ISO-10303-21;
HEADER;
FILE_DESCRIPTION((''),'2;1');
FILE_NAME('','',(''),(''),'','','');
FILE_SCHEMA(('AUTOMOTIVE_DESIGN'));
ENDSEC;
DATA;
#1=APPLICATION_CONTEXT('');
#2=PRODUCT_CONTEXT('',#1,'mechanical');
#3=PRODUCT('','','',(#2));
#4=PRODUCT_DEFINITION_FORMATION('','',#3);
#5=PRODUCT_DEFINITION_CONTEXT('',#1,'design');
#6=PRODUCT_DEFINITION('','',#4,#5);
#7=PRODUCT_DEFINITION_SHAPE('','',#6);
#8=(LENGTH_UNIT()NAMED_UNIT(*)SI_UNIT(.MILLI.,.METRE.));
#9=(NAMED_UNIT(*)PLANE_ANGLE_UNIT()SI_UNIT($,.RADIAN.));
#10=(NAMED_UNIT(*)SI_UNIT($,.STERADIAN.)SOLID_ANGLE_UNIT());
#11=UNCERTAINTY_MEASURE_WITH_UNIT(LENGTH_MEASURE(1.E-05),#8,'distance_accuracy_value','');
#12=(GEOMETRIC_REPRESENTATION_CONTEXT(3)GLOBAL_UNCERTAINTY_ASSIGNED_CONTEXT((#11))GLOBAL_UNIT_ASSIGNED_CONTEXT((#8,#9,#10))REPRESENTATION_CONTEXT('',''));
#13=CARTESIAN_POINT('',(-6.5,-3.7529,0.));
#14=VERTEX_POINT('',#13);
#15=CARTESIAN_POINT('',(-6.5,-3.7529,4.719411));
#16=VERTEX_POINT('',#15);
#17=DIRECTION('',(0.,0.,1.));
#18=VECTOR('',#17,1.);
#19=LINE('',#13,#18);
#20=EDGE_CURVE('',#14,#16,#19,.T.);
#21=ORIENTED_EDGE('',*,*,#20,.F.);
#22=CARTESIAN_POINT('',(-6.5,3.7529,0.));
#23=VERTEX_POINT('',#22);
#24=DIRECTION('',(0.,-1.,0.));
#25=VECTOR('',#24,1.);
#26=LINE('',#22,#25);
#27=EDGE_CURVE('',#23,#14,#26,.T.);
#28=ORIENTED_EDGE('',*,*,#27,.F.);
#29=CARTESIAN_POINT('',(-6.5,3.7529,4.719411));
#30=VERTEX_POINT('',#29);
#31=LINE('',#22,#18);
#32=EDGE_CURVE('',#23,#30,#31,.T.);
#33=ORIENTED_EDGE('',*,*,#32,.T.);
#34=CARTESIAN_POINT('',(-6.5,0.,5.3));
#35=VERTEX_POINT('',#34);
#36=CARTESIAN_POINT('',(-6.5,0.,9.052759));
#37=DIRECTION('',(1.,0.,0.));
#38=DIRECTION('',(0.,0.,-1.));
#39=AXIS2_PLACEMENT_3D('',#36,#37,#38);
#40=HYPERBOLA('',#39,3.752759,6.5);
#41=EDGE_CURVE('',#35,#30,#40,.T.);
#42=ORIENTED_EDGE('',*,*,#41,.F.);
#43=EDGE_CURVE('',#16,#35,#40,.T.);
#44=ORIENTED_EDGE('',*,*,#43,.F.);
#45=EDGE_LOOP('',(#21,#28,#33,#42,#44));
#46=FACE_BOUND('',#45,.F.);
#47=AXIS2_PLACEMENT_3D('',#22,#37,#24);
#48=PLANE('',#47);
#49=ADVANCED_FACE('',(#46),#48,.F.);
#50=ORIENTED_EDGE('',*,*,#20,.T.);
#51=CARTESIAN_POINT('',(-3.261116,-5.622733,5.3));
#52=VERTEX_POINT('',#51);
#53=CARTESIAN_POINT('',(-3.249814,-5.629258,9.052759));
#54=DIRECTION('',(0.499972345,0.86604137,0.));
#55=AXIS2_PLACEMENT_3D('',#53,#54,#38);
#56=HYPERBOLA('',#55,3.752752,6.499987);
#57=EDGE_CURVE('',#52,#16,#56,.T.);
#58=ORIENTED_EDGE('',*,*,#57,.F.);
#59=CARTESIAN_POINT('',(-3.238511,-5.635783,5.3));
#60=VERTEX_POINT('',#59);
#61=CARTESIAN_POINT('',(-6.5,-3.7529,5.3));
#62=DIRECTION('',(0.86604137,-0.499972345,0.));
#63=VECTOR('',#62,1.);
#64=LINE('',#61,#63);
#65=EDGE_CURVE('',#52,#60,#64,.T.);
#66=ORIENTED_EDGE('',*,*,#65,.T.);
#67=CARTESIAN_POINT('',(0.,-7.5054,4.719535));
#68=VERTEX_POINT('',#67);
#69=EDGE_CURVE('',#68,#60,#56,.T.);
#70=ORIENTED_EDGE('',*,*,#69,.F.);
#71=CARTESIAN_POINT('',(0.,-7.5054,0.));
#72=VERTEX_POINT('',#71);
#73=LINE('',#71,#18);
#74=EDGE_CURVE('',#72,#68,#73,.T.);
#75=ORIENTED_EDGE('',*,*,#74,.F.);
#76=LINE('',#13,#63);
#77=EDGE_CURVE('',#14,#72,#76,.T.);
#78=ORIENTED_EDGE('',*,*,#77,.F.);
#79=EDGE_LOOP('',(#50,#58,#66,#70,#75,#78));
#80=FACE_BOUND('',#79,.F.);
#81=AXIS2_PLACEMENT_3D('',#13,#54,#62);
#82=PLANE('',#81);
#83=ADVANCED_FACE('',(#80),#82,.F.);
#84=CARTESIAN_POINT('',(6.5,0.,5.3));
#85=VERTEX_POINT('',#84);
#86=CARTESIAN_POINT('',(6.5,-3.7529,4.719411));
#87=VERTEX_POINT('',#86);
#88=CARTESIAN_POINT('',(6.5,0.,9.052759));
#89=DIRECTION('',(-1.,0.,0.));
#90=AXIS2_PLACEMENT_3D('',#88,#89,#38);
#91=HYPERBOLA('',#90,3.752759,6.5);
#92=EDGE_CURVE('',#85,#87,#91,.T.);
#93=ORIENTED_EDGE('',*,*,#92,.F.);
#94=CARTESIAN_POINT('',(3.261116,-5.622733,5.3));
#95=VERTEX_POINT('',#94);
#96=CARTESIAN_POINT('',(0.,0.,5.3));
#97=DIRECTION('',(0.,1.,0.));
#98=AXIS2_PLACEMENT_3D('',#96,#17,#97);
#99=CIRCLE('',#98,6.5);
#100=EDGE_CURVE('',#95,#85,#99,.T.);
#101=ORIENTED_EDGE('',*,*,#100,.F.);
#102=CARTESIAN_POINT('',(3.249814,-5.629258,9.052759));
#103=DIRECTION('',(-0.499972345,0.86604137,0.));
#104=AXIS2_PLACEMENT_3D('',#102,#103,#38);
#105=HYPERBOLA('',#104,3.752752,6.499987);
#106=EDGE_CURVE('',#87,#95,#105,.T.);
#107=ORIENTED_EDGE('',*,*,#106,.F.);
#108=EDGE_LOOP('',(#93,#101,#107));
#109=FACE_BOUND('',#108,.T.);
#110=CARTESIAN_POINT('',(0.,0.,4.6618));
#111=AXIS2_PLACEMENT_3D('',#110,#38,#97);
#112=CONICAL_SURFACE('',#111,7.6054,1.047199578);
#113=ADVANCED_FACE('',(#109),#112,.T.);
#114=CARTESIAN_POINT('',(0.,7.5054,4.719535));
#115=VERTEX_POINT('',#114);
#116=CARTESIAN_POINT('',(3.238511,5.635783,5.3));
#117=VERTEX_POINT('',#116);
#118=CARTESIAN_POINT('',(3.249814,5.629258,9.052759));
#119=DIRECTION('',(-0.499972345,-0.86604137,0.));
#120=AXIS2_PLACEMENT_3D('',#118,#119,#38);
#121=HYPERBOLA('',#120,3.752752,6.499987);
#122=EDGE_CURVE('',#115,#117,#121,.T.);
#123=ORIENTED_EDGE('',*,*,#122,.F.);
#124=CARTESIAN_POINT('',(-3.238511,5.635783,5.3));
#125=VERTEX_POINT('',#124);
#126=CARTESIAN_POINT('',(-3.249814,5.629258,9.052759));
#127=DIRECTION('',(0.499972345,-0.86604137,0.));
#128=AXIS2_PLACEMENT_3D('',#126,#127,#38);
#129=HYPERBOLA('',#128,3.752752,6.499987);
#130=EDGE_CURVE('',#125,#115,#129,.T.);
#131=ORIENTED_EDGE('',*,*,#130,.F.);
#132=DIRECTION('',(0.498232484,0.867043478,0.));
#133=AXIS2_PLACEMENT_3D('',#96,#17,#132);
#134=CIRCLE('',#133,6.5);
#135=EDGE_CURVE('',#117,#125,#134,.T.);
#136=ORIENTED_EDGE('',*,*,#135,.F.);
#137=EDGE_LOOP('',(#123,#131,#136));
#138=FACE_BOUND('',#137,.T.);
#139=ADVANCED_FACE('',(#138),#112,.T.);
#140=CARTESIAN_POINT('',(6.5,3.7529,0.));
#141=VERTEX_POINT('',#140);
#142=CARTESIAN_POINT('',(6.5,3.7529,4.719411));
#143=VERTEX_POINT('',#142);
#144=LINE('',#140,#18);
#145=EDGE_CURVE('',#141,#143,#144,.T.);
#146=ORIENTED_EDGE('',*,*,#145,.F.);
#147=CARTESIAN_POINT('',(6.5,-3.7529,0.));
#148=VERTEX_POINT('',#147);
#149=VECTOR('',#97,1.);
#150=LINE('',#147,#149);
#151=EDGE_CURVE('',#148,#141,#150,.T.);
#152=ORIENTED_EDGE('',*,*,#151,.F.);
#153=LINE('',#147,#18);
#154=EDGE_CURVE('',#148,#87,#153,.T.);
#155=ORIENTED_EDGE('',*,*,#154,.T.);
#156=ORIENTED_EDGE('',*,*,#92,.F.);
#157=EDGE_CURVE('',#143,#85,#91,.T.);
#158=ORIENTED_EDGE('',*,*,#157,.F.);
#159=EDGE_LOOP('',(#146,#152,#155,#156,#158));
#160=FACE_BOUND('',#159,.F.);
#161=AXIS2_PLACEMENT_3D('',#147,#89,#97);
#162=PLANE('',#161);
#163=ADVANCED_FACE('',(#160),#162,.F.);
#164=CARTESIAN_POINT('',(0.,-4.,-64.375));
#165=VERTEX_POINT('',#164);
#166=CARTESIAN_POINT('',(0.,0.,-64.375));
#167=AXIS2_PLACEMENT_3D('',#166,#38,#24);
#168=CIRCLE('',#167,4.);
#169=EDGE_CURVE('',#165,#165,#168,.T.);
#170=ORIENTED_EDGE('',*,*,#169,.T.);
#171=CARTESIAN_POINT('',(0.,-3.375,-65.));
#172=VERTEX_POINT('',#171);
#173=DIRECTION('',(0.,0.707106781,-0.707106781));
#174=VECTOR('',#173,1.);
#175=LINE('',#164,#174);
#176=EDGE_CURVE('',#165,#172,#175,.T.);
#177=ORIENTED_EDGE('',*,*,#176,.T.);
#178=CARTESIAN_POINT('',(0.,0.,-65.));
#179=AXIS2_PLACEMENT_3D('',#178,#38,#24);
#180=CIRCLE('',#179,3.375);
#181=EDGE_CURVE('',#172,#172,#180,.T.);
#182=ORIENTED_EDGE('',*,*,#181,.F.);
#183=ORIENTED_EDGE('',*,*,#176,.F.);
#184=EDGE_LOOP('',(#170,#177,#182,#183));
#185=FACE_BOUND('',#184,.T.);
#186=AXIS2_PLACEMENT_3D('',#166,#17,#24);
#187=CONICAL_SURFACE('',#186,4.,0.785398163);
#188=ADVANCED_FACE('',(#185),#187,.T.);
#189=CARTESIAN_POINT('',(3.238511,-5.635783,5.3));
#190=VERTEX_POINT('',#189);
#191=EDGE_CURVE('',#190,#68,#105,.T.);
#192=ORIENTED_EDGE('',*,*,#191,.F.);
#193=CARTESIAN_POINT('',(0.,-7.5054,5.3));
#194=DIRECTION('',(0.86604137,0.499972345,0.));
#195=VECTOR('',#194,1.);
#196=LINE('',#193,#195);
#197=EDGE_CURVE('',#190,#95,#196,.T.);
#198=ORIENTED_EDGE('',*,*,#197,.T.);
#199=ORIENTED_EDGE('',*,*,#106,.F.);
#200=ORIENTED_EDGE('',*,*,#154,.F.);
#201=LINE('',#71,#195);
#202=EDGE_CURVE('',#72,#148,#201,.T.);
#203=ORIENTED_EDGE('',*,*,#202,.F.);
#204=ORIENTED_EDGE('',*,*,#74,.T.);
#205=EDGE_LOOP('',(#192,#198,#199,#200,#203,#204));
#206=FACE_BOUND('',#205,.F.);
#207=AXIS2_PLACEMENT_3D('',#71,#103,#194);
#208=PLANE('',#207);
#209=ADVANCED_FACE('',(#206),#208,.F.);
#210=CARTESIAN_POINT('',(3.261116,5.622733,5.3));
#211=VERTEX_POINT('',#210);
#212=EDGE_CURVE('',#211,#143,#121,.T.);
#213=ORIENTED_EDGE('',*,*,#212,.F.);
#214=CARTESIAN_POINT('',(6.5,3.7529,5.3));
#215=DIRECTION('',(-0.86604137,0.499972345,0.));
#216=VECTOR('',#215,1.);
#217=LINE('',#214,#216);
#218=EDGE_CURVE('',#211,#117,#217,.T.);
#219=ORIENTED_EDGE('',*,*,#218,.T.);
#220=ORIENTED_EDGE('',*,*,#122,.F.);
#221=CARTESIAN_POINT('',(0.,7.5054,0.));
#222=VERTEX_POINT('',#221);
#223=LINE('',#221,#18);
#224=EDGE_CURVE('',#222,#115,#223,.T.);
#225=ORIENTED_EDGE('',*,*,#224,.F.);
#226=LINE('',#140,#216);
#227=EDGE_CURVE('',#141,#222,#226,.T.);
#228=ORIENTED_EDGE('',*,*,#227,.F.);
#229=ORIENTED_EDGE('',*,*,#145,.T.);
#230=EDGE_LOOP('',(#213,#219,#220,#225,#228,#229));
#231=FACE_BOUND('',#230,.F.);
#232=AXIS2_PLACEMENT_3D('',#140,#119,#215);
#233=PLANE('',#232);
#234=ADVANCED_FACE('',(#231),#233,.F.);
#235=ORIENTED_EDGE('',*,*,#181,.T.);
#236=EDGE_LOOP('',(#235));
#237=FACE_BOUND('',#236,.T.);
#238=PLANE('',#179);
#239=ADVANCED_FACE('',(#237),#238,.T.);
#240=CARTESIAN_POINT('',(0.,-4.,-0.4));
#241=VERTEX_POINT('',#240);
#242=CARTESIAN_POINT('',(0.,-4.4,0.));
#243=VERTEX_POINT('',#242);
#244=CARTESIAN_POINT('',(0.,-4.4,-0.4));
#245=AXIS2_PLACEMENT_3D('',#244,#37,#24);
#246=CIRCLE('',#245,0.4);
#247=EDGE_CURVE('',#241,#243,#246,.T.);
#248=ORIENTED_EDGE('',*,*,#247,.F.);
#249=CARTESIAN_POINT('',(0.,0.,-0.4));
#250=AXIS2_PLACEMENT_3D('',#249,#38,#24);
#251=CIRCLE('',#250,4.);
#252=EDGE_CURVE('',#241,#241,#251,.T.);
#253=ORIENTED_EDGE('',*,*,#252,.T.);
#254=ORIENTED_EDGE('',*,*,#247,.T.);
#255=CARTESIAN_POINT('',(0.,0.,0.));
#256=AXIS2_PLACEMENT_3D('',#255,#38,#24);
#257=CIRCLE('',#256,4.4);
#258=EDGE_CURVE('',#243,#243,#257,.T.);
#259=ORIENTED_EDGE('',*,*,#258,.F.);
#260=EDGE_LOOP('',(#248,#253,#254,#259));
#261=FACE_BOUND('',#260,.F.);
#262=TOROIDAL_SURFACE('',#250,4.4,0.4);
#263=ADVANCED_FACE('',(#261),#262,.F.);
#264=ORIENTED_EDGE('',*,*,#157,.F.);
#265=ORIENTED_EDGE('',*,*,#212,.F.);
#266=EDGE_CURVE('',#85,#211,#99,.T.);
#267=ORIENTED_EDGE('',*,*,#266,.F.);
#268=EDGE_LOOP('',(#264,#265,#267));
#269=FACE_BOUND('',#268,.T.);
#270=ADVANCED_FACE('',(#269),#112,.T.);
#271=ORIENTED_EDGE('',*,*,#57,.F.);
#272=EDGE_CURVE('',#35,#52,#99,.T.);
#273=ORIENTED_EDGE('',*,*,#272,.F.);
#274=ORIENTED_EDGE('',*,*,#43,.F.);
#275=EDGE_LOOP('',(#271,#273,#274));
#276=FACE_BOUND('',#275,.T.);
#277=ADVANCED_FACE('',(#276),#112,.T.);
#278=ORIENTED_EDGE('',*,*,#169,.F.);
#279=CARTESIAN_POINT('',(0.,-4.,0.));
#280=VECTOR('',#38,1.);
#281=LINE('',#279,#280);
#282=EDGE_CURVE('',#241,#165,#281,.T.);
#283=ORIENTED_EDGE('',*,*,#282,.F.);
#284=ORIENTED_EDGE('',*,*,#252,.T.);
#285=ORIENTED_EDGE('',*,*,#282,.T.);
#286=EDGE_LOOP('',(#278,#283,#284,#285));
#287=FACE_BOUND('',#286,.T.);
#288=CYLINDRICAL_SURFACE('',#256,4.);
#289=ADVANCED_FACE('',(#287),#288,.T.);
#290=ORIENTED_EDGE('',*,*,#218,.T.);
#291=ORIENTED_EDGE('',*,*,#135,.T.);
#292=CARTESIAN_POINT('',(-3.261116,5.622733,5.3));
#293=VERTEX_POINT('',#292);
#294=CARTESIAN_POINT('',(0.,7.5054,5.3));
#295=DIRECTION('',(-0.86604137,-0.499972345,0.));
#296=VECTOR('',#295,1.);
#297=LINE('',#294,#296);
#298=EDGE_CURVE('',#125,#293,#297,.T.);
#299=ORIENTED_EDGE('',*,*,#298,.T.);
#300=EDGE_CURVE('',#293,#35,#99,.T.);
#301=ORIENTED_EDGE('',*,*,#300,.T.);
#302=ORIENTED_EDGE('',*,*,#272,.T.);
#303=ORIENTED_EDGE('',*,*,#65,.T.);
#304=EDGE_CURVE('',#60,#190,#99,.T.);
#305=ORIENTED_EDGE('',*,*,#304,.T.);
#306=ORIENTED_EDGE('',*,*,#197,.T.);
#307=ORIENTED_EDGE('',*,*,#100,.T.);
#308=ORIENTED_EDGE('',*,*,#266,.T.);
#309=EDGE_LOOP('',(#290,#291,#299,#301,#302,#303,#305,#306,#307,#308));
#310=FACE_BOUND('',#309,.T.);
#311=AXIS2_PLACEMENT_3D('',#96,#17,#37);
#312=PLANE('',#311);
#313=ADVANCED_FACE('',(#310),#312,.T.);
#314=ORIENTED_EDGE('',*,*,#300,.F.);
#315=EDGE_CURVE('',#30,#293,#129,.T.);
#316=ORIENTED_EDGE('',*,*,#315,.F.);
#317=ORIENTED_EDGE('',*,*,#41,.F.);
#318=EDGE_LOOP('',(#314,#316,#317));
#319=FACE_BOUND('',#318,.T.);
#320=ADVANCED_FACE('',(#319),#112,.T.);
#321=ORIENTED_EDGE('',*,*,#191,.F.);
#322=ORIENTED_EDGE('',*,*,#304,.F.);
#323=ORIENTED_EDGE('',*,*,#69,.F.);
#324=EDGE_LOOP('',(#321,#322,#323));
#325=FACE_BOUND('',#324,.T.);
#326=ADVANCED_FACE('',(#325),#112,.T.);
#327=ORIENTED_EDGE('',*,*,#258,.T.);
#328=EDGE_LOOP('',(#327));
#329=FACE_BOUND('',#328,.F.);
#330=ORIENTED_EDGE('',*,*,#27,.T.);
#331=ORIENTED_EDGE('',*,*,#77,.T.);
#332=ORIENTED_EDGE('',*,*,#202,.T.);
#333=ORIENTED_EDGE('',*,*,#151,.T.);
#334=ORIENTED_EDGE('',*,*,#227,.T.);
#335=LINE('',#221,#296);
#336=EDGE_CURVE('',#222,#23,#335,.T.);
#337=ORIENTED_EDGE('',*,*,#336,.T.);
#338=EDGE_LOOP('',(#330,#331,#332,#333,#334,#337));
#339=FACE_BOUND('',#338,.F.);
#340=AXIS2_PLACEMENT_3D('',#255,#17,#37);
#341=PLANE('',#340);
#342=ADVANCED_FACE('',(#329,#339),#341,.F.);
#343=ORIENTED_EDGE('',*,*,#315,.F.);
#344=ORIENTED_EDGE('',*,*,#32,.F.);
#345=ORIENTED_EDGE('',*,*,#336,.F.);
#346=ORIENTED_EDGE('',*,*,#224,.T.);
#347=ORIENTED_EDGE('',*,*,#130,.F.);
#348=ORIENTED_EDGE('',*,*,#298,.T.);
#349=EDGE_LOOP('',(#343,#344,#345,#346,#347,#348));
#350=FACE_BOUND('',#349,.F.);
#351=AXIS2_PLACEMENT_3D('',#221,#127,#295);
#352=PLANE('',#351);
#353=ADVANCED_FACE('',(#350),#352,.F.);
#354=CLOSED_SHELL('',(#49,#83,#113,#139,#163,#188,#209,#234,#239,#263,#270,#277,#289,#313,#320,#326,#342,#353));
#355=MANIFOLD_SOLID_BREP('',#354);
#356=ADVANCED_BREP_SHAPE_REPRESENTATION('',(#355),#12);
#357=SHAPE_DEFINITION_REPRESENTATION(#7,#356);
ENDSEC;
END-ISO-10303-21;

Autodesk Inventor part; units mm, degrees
ref_plane "WorkPlane1" through (0, 0, 0) normal (0, 0, 1) x (1, 0, 0)
sketch "Szkic1" plane through (0, 0, 0) normal (0, 0, 1) x (1, 0, 0)
  point P0 (0, 0)
sketch "Szkic2" plane through (0, 0, 0) normal (0, 0, 1) x (1, 0, 0)
  line L0 (-6.5, 3.7529) -> (-6.5, -3.7529)
  line L1 (0, 7.5054) -> (-6.5, 3.7529)
  line L2 (6.5, 3.7529) -> (0, 7.5054)
  line L3 (6.5, -3.7529) -> (6.5, 3.7529)
  line L4 (0, -7.5054) -> (6.5, -3.7529)
  line L5 (-6.5, -3.7529) -> (0, -7.5054)
  circle A0 centre (0, 0) radius 6.5 construction
  dimension "d1" = 13
  dimension "d29" = 0
  dimension "d30" = 0
extrude "Wyciągnięcie proste1" add sketch "Szkic2" along normal blind 5.3
sketch "Szkic3" plane through (0, 0, 0) normal (1, 0, 0) x (0, 1, 0)
  line L0 (6.5, 5.3) -> (7.6054, 5.3)
  line L1 (7.6054, 4.6618) -> (6.5, 5.3)
  line L2 (7.6054, 5.3) -> (7.6054, 4.6618)
  line L3 (0, -1.06) -> (0, 6.36) projected
  line L4 (7.5054, 0) -> (7.5054, 5.3) projected
  dimension "d25" = 0.1
  dimension "d26" = 0
  dimension "d27" = 60
  dimension "d28" = 6.5
revolve "Obrót1" cut sketch "Szkic3" angle 360 about axis through (0, 0, -10) along (0, 0, 1)
sketch "Szkic4" plane through (0, 0, 0) normal (1, 0, 0) x (0, 1, 0)
  line L0 (0, -65) -> (0, 0)
  line L1 (-4, -65) -> (0, -65)
  line L2 (-4, 0) -> (-4, -65)
  line L3 (0, 0) -> (-4, 0)
  line L4 (0, -65) -> (0, 0)
  line L5 (-4.8, 0) -> (0.8, 0) projected
  line L6 (0, -78) -> (0, 13) projected
  dimension "d18" = 4
  dimension "d20" = 65
  dimension "d33" = 0
  dimension "d34" = 0
revolve "Obrót2" add sketch "Szkic4" angle 360 about axis through (0, 0, -65) along (0, 0, -1)
chamfer "Faza1" distance 0.625 angle 45 1 edges at (0, 4, -65)
fillet "Zaokrąglenie1" radius 0.4 1 edges at (0, 4, 0)
thread "Gwint1" size "M8x1.25" class "6g" standard "ISO Metric profile" length 22
ref_plane "MSC_PF1" through (0, 0, 0) normal (1, 0, 0) x (0, 1, 0)
ref_plane "MSC_PT1" through (0, 0, 0) normal (0, 0, -1) x (-1, 0, 0)
equation "\"d1\" = ParS"
equation "\"d6\" = ParK"
equation "\"d22\" = 0.5 * PTC"
equation "\"d23\" = 0.5 * PTC"
equation "\"d24\" = r"
equation "\"d28\" = 0.5 * ParS"
equation "\"d18\" = 0.5 * NND"
equation "\"d20\" = NLG"
equation "\"NND\" = 8"
equation "\"NLG\" = 65"
equation "\"PTC\" = 1.25"
equation "\"ParK\" = 5.3"
equation "\"ParS\" = 13"
equation "\"msp_es\" = 0.577367 * ParS"
equation "\"r\" = 0.4"
equation "\"THREADDIA\" = NND"
properties part number "ISO 4016 - M8 x 65" material "Stal"
